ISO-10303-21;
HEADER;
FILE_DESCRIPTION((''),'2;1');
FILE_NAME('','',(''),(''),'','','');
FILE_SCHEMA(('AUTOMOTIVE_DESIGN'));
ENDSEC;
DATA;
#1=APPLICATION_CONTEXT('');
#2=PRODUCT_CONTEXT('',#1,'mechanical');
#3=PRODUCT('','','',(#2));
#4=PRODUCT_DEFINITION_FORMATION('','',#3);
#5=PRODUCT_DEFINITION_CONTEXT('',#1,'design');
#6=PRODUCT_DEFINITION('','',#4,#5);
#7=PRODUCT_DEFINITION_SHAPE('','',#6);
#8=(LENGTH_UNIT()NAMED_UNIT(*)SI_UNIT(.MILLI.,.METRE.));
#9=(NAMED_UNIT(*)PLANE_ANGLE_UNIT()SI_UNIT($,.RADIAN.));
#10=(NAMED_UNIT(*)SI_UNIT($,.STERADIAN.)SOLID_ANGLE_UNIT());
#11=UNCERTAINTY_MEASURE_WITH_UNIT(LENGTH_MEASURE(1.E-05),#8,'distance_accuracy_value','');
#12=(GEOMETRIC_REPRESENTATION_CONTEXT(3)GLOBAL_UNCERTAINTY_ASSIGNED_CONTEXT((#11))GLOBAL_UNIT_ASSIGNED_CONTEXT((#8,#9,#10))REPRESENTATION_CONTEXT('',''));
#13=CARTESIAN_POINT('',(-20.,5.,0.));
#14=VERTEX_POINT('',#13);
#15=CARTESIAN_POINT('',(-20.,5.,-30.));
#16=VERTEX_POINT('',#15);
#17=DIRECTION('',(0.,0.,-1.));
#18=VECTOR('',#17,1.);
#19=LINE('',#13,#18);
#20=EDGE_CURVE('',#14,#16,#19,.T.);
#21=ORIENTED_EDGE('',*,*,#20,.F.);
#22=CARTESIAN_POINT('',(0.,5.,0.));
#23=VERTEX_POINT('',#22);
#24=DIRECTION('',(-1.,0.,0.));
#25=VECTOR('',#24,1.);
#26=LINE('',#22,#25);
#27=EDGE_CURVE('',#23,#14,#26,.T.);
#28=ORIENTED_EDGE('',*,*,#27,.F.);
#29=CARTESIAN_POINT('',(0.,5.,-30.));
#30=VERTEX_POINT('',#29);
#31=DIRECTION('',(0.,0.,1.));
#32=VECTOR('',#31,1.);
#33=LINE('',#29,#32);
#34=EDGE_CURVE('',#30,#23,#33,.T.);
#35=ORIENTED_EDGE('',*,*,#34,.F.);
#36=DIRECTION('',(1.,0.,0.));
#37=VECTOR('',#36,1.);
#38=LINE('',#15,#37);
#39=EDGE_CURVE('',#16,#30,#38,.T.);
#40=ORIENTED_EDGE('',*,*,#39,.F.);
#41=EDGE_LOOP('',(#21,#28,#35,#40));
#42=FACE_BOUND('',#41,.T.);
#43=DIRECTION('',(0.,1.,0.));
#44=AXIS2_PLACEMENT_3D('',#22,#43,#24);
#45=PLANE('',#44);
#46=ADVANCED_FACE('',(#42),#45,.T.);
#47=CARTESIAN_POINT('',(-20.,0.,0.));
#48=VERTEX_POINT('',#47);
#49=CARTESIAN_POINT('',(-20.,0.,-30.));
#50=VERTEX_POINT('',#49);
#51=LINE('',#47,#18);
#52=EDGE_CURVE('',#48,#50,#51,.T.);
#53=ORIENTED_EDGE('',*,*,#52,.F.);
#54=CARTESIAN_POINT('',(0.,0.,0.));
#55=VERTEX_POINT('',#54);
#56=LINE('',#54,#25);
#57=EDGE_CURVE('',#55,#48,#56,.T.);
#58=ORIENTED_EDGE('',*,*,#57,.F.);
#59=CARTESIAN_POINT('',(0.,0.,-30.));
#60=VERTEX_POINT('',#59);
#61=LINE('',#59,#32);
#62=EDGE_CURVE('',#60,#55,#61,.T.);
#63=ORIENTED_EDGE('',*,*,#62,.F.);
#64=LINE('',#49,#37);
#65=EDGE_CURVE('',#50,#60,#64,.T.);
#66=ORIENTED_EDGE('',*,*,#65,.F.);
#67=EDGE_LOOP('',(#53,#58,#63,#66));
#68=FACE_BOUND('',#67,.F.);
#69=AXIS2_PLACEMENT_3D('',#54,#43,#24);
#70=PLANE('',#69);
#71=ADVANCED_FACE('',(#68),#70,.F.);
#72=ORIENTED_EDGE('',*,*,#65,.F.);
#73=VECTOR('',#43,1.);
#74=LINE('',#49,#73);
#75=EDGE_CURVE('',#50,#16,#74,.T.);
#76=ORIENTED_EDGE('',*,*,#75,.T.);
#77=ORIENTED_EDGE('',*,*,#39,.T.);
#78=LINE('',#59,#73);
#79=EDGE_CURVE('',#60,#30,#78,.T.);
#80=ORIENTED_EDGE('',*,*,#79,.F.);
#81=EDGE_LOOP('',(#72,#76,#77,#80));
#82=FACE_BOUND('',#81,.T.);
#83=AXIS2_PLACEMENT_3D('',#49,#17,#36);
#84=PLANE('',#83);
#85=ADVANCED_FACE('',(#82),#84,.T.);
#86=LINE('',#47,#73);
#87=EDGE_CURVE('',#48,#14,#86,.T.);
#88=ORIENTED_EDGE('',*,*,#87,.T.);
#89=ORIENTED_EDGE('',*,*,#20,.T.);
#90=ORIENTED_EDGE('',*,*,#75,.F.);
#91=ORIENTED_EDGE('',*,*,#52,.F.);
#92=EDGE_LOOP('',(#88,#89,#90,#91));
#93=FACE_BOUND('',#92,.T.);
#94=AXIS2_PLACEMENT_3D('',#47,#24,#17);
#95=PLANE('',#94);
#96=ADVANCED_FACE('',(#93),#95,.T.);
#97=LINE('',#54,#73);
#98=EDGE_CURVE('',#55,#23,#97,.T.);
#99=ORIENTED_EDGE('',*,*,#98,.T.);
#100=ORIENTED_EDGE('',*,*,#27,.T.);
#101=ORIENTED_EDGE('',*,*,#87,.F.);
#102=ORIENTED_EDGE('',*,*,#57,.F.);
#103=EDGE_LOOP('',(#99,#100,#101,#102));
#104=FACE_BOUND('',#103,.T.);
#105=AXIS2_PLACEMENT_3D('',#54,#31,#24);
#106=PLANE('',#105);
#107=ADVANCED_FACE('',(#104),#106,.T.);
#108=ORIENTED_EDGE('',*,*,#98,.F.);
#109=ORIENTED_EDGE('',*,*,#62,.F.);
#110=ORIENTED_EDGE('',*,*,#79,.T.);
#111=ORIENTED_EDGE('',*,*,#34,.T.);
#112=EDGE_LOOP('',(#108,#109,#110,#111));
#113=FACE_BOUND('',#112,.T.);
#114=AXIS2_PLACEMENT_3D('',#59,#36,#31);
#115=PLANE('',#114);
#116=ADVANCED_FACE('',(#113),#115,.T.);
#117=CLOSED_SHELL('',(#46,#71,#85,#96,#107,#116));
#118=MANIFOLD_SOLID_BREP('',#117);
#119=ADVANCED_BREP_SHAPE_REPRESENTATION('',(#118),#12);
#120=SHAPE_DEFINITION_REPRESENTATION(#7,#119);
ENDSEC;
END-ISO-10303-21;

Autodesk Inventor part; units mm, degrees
ref_plane "YZ Plane" through (0, 0, 0) normal (1, 0, 0) x (0, 1, 0)
ref_plane "XZ Plane" through (0, 0, 0) normal (0, 1, 0) x (-1, 0, 0)
ref_plane "XY Plane" through (0, 0, 0) normal (0, 0, 1) x (1, 0, 0)
sketch "Sketch1" plane through (0, 0, 0) normal (0, 1, 0) x (-1, 0, 0)
  line L0 (0, 0) -> (20, 0)
  line L1 (20, 0) -> (20, -30)
  line L2 (20, -30) -> (0, -30)
  line L3 (0, -30) -> (0, 0)
  dimension "d0" = 30
  dimension "d1" = 20
extrude "Extrusion1" add sketch "Sketch1" along normal blind 5
properties part number "battery" material "Stainless Steel"
